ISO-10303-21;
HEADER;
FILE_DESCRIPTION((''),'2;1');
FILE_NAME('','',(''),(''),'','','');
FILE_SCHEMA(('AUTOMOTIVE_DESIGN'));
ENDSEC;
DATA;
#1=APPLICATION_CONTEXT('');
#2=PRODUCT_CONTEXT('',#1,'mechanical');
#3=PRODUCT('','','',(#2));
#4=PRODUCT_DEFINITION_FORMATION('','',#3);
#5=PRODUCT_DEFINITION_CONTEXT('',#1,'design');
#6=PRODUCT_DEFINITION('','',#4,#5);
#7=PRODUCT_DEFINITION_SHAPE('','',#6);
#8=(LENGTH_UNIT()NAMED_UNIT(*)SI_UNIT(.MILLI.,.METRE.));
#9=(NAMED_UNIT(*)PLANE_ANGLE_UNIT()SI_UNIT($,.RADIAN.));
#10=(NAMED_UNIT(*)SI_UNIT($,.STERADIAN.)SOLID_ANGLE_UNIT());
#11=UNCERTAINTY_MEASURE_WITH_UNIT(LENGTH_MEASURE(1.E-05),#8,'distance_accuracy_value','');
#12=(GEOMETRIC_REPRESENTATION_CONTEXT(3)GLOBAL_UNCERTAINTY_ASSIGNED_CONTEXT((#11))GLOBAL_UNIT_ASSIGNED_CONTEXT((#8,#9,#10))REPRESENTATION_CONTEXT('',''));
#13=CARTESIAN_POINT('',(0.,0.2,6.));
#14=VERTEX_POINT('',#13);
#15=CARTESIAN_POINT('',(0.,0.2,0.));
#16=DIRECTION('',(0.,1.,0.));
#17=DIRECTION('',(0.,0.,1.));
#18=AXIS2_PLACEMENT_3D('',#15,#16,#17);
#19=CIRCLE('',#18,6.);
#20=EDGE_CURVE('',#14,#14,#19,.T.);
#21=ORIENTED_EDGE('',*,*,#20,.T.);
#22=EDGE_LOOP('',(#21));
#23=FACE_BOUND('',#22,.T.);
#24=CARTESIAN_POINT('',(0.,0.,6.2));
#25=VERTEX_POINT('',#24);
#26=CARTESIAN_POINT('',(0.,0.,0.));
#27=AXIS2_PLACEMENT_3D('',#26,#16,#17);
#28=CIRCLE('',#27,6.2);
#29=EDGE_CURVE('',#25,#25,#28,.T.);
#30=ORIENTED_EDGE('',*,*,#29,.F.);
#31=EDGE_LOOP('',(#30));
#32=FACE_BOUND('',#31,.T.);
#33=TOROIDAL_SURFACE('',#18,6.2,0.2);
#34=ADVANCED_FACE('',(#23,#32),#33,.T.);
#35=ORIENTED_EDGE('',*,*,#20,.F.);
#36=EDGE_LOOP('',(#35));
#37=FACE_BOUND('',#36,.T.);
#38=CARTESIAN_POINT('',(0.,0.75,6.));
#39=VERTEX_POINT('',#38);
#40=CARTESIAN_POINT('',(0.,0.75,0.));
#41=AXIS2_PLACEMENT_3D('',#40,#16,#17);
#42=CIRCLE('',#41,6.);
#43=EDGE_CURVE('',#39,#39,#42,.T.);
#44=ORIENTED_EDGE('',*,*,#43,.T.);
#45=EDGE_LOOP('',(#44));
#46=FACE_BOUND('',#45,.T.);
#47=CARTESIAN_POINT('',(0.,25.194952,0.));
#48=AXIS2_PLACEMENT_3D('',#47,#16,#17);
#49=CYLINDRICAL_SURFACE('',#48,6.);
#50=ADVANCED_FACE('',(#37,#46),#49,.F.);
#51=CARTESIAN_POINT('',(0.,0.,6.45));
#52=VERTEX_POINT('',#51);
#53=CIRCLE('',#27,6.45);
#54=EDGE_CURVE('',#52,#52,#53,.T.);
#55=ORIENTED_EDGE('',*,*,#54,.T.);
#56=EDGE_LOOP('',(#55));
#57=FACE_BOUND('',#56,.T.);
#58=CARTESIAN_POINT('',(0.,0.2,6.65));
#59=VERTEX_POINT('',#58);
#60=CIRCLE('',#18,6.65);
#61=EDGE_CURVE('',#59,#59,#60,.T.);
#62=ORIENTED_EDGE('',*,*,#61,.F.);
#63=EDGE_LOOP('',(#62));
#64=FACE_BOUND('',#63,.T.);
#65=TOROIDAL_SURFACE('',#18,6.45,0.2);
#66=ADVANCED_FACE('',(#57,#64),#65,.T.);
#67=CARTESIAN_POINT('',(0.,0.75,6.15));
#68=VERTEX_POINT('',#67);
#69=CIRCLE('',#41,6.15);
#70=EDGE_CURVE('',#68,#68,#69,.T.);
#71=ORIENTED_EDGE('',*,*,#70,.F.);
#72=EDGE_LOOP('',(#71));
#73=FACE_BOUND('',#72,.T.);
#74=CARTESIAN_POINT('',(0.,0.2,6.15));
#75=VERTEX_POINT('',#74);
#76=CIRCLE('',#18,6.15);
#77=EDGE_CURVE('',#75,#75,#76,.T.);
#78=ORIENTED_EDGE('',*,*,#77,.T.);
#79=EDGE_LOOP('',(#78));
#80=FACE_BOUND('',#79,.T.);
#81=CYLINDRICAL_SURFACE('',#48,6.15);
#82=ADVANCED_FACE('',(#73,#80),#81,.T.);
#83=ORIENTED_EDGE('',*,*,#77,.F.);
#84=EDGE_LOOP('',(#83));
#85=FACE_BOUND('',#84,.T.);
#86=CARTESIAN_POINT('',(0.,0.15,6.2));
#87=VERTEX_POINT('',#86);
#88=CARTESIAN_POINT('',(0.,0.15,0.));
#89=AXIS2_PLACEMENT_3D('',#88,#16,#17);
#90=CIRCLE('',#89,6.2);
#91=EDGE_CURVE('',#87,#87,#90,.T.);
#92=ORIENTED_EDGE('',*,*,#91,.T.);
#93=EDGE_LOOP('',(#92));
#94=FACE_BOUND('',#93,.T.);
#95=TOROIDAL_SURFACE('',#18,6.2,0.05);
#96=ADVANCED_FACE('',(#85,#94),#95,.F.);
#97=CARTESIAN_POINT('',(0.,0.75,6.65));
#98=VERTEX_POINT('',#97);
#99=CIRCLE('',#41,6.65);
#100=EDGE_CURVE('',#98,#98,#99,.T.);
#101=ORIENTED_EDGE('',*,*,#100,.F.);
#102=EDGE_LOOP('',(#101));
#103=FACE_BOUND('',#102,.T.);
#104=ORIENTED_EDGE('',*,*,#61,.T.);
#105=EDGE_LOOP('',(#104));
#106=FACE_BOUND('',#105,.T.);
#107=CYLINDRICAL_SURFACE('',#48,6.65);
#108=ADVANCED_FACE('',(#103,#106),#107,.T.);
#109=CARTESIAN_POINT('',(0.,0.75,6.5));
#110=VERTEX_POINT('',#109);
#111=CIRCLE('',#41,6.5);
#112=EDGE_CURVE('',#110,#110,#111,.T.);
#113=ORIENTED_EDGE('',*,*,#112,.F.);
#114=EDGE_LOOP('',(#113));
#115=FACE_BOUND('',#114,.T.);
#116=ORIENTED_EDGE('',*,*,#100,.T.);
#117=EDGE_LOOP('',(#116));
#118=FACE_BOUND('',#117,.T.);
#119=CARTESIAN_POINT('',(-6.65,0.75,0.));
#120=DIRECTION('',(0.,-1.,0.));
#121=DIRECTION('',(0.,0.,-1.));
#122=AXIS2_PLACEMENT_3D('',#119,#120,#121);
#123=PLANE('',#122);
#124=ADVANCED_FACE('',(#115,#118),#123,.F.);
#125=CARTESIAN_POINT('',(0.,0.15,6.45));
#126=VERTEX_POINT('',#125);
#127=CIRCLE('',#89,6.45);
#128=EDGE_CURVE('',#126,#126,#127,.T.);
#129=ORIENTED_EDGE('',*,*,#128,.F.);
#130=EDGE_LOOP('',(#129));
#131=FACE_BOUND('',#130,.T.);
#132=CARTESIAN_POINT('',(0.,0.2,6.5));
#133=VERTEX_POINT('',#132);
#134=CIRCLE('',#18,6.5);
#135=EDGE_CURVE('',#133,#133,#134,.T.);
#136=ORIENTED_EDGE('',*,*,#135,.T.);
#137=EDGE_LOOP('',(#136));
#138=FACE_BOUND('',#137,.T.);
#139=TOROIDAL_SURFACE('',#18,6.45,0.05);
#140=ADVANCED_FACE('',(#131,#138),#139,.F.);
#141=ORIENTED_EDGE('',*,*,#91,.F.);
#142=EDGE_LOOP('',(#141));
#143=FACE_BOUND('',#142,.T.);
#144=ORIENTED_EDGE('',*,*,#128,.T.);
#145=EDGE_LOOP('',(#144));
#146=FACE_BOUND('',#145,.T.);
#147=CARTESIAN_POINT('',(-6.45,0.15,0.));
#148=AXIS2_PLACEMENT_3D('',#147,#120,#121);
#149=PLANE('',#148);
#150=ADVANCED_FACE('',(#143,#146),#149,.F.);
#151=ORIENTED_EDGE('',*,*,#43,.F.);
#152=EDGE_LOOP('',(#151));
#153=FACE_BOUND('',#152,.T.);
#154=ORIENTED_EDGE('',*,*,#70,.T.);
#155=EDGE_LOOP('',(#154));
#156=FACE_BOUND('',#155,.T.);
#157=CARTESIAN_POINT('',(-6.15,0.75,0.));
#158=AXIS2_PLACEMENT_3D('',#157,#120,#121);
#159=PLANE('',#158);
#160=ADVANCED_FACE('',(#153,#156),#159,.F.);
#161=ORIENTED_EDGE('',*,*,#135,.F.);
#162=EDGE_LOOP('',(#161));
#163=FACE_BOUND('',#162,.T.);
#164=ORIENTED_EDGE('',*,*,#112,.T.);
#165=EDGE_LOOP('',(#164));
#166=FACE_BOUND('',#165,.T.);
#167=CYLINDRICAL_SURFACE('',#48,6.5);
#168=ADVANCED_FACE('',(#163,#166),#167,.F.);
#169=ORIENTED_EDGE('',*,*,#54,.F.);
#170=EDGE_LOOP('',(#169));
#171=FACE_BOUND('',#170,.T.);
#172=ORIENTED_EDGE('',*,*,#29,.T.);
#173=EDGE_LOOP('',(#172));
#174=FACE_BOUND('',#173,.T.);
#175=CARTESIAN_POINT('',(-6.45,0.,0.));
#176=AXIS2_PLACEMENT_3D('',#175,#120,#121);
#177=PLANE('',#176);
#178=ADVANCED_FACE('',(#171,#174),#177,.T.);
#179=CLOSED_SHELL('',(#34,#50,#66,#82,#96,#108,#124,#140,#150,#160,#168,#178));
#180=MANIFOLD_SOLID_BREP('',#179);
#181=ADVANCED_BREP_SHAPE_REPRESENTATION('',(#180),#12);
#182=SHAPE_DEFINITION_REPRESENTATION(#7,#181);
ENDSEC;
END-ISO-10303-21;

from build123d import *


with BuildPart() as part:
    # Sketch1 → Revolve-Thin1 (revolve)
    with BuildSketch(Plane.XY):
        with BuildLine():
            Line((-6.65, 0.75), (-6.65, 0.2))
            ThreePointArc((-6.65, 0.2), (-6.591421356, 0.058578644), (-6.45, 0))
            Line((-6.45, 0), (-6.2, 0))
            ThreePointArc((-6.2, 0), (-6.058578644, 0.058578644), (-6, 0.2))
            Line((-6, 0.2), (-6, 0.75))
            Line((-6, 0.75), (-6.15, 0.75))
            Line((-6.15, 0.75), (-6.15, 0.2))
            ThreePointArc((-6.15, 0.2), (-6.164644661, 0.164644661), (-6.2, 0.15))
            Line((-6.2, 0.15), (-6.45, 0.15))
            ThreePointArc((-6.45, 0.15), (-6.485355339, 0.164644661), (-6.5, 0.2))
            Line((-6.5, 0.2), (-6.5, 0.75))
            Line((-6.5, 0.75), (-6.65, 0.75))
        make_face()
    revolve(axis=Axis((0, 25.194951605, 0), (0, -1, 0)))


solid = part.part
